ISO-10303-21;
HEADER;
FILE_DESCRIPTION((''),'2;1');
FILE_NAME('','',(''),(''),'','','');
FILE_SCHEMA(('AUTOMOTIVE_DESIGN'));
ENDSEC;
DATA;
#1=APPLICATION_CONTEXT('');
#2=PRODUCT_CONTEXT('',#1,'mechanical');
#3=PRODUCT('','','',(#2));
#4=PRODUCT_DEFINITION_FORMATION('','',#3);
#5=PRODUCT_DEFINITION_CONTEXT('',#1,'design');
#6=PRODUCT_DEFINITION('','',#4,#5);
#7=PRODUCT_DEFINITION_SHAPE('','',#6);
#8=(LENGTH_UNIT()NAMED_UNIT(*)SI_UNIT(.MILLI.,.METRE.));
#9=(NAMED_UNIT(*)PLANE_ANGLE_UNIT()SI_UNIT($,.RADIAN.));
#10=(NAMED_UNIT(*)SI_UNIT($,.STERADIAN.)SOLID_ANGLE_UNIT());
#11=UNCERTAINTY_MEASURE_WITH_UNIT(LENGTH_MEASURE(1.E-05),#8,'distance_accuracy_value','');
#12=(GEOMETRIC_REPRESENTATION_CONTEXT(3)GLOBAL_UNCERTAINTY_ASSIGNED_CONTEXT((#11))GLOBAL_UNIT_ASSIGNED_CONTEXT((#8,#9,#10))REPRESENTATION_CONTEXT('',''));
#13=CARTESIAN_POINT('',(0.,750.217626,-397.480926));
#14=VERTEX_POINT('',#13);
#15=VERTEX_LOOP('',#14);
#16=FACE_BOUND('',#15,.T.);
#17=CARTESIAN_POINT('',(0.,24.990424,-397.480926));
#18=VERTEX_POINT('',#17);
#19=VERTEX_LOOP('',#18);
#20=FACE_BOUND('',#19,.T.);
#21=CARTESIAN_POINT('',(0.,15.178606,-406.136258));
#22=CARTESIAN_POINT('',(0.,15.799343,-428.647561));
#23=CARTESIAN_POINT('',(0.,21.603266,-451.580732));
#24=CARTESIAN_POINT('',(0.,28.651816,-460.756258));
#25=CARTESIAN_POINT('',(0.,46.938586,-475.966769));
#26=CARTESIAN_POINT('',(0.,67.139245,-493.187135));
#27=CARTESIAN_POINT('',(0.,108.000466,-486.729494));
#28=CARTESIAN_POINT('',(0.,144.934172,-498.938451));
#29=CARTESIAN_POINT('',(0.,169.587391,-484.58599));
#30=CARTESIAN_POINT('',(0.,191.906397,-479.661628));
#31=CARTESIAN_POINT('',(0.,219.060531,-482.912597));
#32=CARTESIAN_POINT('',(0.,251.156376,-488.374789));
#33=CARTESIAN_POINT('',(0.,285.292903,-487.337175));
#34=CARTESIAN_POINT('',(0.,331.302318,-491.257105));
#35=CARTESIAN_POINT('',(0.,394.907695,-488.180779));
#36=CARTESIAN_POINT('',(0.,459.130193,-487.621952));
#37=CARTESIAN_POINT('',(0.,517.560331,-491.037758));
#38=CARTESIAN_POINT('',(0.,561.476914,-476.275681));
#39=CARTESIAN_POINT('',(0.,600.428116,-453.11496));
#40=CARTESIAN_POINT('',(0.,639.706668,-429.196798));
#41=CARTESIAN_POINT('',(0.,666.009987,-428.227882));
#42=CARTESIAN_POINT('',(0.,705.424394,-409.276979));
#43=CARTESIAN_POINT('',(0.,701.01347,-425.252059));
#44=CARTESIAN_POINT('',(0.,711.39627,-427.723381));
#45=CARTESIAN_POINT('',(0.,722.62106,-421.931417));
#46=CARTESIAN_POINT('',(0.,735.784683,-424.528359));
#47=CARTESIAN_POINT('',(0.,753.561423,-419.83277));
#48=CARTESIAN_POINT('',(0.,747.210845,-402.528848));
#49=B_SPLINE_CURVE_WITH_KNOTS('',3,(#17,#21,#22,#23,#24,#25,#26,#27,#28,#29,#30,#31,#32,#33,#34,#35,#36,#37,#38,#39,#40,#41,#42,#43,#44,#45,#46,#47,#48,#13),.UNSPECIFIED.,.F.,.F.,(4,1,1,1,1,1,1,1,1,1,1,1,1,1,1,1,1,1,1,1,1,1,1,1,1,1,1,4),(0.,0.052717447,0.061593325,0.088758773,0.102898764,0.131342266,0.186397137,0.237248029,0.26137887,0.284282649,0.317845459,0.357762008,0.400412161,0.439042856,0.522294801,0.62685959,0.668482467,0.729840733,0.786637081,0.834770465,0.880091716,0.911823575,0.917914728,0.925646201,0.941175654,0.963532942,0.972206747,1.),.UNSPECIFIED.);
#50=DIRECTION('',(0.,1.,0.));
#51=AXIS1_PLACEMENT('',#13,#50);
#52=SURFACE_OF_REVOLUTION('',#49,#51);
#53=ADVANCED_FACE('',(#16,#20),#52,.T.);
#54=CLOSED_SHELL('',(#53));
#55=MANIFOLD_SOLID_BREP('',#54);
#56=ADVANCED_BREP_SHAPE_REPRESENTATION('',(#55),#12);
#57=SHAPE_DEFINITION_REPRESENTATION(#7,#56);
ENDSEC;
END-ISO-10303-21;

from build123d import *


with BuildPart() as part:
    # Croquis5 → Revolución3 (revolve)
    with BuildSketch(Plane(origin=(0, 0, 0), x_dir=(0, 0, -1), z_dir=(1, 0, 0))):
        with BuildLine():
            Line((397.480925737, 750.217626313), (397.480925737, 24.990424257))
            add(Edge.make_bspline(
                [(397.480925737, 24.990424257), (406.136257749, 15.178606098), (428.647560535, 15.799342956), (451.580732494, 21.603265696), (460.756257984, 28.651816292), (475.966768828, 46.938585833), (493.187134964, 67.139245365), (486.729493733, 108.00046593), (498.938451387, 144.934171777), (484.585989861, 169.58739142), (479.661628475, 191.906396845), (482.912597343, 219.060531324), (488.374789239, 251.156375952), (487.337175211, 285.292903216), (491.257105427, 331.302318402), (488.180779166, 394.907694942), (487.621951873, 459.130193297), (491.037757835, 517.560331416), (476.27568099, 561.476913793), (453.114960116, 600.428115784), (429.19679824, 639.706667841), (428.227882464, 666.009986634), (409.27697857, 705.424393558), (425.25205898, 701.013469699), (427.723381037, 711.396270377), (421.931417148, 722.621059578), (424.528358648, 735.784682706), (419.8327696, 753.561422645), (402.528848001, 747.210844751), (397.480925737, 750.217626313)],
                knots=[0, 0, 0, 0, 0.052717447, 0.061593325, 0.088758773, 0.102898764, 0.131342266, 0.186397137, 0.237248029, 0.26137887, 0.284282649, 0.317845459, 0.357762008, 0.400412161, 0.439042856, 0.522294801, 0.62685959, 0.668482467, 0.729840733, 0.786637081, 0.834770465, 0.880091716, 0.911823575, 0.917914728, 0.925646201, 0.941175654, 0.963532942, 0.972206747, 1, 1, 1, 1], degree=3))
        make_face()
    revolve(axis=Axis((0, 750.217626313, -397.480925737), (0, -1, 0)))


solid = part.part
